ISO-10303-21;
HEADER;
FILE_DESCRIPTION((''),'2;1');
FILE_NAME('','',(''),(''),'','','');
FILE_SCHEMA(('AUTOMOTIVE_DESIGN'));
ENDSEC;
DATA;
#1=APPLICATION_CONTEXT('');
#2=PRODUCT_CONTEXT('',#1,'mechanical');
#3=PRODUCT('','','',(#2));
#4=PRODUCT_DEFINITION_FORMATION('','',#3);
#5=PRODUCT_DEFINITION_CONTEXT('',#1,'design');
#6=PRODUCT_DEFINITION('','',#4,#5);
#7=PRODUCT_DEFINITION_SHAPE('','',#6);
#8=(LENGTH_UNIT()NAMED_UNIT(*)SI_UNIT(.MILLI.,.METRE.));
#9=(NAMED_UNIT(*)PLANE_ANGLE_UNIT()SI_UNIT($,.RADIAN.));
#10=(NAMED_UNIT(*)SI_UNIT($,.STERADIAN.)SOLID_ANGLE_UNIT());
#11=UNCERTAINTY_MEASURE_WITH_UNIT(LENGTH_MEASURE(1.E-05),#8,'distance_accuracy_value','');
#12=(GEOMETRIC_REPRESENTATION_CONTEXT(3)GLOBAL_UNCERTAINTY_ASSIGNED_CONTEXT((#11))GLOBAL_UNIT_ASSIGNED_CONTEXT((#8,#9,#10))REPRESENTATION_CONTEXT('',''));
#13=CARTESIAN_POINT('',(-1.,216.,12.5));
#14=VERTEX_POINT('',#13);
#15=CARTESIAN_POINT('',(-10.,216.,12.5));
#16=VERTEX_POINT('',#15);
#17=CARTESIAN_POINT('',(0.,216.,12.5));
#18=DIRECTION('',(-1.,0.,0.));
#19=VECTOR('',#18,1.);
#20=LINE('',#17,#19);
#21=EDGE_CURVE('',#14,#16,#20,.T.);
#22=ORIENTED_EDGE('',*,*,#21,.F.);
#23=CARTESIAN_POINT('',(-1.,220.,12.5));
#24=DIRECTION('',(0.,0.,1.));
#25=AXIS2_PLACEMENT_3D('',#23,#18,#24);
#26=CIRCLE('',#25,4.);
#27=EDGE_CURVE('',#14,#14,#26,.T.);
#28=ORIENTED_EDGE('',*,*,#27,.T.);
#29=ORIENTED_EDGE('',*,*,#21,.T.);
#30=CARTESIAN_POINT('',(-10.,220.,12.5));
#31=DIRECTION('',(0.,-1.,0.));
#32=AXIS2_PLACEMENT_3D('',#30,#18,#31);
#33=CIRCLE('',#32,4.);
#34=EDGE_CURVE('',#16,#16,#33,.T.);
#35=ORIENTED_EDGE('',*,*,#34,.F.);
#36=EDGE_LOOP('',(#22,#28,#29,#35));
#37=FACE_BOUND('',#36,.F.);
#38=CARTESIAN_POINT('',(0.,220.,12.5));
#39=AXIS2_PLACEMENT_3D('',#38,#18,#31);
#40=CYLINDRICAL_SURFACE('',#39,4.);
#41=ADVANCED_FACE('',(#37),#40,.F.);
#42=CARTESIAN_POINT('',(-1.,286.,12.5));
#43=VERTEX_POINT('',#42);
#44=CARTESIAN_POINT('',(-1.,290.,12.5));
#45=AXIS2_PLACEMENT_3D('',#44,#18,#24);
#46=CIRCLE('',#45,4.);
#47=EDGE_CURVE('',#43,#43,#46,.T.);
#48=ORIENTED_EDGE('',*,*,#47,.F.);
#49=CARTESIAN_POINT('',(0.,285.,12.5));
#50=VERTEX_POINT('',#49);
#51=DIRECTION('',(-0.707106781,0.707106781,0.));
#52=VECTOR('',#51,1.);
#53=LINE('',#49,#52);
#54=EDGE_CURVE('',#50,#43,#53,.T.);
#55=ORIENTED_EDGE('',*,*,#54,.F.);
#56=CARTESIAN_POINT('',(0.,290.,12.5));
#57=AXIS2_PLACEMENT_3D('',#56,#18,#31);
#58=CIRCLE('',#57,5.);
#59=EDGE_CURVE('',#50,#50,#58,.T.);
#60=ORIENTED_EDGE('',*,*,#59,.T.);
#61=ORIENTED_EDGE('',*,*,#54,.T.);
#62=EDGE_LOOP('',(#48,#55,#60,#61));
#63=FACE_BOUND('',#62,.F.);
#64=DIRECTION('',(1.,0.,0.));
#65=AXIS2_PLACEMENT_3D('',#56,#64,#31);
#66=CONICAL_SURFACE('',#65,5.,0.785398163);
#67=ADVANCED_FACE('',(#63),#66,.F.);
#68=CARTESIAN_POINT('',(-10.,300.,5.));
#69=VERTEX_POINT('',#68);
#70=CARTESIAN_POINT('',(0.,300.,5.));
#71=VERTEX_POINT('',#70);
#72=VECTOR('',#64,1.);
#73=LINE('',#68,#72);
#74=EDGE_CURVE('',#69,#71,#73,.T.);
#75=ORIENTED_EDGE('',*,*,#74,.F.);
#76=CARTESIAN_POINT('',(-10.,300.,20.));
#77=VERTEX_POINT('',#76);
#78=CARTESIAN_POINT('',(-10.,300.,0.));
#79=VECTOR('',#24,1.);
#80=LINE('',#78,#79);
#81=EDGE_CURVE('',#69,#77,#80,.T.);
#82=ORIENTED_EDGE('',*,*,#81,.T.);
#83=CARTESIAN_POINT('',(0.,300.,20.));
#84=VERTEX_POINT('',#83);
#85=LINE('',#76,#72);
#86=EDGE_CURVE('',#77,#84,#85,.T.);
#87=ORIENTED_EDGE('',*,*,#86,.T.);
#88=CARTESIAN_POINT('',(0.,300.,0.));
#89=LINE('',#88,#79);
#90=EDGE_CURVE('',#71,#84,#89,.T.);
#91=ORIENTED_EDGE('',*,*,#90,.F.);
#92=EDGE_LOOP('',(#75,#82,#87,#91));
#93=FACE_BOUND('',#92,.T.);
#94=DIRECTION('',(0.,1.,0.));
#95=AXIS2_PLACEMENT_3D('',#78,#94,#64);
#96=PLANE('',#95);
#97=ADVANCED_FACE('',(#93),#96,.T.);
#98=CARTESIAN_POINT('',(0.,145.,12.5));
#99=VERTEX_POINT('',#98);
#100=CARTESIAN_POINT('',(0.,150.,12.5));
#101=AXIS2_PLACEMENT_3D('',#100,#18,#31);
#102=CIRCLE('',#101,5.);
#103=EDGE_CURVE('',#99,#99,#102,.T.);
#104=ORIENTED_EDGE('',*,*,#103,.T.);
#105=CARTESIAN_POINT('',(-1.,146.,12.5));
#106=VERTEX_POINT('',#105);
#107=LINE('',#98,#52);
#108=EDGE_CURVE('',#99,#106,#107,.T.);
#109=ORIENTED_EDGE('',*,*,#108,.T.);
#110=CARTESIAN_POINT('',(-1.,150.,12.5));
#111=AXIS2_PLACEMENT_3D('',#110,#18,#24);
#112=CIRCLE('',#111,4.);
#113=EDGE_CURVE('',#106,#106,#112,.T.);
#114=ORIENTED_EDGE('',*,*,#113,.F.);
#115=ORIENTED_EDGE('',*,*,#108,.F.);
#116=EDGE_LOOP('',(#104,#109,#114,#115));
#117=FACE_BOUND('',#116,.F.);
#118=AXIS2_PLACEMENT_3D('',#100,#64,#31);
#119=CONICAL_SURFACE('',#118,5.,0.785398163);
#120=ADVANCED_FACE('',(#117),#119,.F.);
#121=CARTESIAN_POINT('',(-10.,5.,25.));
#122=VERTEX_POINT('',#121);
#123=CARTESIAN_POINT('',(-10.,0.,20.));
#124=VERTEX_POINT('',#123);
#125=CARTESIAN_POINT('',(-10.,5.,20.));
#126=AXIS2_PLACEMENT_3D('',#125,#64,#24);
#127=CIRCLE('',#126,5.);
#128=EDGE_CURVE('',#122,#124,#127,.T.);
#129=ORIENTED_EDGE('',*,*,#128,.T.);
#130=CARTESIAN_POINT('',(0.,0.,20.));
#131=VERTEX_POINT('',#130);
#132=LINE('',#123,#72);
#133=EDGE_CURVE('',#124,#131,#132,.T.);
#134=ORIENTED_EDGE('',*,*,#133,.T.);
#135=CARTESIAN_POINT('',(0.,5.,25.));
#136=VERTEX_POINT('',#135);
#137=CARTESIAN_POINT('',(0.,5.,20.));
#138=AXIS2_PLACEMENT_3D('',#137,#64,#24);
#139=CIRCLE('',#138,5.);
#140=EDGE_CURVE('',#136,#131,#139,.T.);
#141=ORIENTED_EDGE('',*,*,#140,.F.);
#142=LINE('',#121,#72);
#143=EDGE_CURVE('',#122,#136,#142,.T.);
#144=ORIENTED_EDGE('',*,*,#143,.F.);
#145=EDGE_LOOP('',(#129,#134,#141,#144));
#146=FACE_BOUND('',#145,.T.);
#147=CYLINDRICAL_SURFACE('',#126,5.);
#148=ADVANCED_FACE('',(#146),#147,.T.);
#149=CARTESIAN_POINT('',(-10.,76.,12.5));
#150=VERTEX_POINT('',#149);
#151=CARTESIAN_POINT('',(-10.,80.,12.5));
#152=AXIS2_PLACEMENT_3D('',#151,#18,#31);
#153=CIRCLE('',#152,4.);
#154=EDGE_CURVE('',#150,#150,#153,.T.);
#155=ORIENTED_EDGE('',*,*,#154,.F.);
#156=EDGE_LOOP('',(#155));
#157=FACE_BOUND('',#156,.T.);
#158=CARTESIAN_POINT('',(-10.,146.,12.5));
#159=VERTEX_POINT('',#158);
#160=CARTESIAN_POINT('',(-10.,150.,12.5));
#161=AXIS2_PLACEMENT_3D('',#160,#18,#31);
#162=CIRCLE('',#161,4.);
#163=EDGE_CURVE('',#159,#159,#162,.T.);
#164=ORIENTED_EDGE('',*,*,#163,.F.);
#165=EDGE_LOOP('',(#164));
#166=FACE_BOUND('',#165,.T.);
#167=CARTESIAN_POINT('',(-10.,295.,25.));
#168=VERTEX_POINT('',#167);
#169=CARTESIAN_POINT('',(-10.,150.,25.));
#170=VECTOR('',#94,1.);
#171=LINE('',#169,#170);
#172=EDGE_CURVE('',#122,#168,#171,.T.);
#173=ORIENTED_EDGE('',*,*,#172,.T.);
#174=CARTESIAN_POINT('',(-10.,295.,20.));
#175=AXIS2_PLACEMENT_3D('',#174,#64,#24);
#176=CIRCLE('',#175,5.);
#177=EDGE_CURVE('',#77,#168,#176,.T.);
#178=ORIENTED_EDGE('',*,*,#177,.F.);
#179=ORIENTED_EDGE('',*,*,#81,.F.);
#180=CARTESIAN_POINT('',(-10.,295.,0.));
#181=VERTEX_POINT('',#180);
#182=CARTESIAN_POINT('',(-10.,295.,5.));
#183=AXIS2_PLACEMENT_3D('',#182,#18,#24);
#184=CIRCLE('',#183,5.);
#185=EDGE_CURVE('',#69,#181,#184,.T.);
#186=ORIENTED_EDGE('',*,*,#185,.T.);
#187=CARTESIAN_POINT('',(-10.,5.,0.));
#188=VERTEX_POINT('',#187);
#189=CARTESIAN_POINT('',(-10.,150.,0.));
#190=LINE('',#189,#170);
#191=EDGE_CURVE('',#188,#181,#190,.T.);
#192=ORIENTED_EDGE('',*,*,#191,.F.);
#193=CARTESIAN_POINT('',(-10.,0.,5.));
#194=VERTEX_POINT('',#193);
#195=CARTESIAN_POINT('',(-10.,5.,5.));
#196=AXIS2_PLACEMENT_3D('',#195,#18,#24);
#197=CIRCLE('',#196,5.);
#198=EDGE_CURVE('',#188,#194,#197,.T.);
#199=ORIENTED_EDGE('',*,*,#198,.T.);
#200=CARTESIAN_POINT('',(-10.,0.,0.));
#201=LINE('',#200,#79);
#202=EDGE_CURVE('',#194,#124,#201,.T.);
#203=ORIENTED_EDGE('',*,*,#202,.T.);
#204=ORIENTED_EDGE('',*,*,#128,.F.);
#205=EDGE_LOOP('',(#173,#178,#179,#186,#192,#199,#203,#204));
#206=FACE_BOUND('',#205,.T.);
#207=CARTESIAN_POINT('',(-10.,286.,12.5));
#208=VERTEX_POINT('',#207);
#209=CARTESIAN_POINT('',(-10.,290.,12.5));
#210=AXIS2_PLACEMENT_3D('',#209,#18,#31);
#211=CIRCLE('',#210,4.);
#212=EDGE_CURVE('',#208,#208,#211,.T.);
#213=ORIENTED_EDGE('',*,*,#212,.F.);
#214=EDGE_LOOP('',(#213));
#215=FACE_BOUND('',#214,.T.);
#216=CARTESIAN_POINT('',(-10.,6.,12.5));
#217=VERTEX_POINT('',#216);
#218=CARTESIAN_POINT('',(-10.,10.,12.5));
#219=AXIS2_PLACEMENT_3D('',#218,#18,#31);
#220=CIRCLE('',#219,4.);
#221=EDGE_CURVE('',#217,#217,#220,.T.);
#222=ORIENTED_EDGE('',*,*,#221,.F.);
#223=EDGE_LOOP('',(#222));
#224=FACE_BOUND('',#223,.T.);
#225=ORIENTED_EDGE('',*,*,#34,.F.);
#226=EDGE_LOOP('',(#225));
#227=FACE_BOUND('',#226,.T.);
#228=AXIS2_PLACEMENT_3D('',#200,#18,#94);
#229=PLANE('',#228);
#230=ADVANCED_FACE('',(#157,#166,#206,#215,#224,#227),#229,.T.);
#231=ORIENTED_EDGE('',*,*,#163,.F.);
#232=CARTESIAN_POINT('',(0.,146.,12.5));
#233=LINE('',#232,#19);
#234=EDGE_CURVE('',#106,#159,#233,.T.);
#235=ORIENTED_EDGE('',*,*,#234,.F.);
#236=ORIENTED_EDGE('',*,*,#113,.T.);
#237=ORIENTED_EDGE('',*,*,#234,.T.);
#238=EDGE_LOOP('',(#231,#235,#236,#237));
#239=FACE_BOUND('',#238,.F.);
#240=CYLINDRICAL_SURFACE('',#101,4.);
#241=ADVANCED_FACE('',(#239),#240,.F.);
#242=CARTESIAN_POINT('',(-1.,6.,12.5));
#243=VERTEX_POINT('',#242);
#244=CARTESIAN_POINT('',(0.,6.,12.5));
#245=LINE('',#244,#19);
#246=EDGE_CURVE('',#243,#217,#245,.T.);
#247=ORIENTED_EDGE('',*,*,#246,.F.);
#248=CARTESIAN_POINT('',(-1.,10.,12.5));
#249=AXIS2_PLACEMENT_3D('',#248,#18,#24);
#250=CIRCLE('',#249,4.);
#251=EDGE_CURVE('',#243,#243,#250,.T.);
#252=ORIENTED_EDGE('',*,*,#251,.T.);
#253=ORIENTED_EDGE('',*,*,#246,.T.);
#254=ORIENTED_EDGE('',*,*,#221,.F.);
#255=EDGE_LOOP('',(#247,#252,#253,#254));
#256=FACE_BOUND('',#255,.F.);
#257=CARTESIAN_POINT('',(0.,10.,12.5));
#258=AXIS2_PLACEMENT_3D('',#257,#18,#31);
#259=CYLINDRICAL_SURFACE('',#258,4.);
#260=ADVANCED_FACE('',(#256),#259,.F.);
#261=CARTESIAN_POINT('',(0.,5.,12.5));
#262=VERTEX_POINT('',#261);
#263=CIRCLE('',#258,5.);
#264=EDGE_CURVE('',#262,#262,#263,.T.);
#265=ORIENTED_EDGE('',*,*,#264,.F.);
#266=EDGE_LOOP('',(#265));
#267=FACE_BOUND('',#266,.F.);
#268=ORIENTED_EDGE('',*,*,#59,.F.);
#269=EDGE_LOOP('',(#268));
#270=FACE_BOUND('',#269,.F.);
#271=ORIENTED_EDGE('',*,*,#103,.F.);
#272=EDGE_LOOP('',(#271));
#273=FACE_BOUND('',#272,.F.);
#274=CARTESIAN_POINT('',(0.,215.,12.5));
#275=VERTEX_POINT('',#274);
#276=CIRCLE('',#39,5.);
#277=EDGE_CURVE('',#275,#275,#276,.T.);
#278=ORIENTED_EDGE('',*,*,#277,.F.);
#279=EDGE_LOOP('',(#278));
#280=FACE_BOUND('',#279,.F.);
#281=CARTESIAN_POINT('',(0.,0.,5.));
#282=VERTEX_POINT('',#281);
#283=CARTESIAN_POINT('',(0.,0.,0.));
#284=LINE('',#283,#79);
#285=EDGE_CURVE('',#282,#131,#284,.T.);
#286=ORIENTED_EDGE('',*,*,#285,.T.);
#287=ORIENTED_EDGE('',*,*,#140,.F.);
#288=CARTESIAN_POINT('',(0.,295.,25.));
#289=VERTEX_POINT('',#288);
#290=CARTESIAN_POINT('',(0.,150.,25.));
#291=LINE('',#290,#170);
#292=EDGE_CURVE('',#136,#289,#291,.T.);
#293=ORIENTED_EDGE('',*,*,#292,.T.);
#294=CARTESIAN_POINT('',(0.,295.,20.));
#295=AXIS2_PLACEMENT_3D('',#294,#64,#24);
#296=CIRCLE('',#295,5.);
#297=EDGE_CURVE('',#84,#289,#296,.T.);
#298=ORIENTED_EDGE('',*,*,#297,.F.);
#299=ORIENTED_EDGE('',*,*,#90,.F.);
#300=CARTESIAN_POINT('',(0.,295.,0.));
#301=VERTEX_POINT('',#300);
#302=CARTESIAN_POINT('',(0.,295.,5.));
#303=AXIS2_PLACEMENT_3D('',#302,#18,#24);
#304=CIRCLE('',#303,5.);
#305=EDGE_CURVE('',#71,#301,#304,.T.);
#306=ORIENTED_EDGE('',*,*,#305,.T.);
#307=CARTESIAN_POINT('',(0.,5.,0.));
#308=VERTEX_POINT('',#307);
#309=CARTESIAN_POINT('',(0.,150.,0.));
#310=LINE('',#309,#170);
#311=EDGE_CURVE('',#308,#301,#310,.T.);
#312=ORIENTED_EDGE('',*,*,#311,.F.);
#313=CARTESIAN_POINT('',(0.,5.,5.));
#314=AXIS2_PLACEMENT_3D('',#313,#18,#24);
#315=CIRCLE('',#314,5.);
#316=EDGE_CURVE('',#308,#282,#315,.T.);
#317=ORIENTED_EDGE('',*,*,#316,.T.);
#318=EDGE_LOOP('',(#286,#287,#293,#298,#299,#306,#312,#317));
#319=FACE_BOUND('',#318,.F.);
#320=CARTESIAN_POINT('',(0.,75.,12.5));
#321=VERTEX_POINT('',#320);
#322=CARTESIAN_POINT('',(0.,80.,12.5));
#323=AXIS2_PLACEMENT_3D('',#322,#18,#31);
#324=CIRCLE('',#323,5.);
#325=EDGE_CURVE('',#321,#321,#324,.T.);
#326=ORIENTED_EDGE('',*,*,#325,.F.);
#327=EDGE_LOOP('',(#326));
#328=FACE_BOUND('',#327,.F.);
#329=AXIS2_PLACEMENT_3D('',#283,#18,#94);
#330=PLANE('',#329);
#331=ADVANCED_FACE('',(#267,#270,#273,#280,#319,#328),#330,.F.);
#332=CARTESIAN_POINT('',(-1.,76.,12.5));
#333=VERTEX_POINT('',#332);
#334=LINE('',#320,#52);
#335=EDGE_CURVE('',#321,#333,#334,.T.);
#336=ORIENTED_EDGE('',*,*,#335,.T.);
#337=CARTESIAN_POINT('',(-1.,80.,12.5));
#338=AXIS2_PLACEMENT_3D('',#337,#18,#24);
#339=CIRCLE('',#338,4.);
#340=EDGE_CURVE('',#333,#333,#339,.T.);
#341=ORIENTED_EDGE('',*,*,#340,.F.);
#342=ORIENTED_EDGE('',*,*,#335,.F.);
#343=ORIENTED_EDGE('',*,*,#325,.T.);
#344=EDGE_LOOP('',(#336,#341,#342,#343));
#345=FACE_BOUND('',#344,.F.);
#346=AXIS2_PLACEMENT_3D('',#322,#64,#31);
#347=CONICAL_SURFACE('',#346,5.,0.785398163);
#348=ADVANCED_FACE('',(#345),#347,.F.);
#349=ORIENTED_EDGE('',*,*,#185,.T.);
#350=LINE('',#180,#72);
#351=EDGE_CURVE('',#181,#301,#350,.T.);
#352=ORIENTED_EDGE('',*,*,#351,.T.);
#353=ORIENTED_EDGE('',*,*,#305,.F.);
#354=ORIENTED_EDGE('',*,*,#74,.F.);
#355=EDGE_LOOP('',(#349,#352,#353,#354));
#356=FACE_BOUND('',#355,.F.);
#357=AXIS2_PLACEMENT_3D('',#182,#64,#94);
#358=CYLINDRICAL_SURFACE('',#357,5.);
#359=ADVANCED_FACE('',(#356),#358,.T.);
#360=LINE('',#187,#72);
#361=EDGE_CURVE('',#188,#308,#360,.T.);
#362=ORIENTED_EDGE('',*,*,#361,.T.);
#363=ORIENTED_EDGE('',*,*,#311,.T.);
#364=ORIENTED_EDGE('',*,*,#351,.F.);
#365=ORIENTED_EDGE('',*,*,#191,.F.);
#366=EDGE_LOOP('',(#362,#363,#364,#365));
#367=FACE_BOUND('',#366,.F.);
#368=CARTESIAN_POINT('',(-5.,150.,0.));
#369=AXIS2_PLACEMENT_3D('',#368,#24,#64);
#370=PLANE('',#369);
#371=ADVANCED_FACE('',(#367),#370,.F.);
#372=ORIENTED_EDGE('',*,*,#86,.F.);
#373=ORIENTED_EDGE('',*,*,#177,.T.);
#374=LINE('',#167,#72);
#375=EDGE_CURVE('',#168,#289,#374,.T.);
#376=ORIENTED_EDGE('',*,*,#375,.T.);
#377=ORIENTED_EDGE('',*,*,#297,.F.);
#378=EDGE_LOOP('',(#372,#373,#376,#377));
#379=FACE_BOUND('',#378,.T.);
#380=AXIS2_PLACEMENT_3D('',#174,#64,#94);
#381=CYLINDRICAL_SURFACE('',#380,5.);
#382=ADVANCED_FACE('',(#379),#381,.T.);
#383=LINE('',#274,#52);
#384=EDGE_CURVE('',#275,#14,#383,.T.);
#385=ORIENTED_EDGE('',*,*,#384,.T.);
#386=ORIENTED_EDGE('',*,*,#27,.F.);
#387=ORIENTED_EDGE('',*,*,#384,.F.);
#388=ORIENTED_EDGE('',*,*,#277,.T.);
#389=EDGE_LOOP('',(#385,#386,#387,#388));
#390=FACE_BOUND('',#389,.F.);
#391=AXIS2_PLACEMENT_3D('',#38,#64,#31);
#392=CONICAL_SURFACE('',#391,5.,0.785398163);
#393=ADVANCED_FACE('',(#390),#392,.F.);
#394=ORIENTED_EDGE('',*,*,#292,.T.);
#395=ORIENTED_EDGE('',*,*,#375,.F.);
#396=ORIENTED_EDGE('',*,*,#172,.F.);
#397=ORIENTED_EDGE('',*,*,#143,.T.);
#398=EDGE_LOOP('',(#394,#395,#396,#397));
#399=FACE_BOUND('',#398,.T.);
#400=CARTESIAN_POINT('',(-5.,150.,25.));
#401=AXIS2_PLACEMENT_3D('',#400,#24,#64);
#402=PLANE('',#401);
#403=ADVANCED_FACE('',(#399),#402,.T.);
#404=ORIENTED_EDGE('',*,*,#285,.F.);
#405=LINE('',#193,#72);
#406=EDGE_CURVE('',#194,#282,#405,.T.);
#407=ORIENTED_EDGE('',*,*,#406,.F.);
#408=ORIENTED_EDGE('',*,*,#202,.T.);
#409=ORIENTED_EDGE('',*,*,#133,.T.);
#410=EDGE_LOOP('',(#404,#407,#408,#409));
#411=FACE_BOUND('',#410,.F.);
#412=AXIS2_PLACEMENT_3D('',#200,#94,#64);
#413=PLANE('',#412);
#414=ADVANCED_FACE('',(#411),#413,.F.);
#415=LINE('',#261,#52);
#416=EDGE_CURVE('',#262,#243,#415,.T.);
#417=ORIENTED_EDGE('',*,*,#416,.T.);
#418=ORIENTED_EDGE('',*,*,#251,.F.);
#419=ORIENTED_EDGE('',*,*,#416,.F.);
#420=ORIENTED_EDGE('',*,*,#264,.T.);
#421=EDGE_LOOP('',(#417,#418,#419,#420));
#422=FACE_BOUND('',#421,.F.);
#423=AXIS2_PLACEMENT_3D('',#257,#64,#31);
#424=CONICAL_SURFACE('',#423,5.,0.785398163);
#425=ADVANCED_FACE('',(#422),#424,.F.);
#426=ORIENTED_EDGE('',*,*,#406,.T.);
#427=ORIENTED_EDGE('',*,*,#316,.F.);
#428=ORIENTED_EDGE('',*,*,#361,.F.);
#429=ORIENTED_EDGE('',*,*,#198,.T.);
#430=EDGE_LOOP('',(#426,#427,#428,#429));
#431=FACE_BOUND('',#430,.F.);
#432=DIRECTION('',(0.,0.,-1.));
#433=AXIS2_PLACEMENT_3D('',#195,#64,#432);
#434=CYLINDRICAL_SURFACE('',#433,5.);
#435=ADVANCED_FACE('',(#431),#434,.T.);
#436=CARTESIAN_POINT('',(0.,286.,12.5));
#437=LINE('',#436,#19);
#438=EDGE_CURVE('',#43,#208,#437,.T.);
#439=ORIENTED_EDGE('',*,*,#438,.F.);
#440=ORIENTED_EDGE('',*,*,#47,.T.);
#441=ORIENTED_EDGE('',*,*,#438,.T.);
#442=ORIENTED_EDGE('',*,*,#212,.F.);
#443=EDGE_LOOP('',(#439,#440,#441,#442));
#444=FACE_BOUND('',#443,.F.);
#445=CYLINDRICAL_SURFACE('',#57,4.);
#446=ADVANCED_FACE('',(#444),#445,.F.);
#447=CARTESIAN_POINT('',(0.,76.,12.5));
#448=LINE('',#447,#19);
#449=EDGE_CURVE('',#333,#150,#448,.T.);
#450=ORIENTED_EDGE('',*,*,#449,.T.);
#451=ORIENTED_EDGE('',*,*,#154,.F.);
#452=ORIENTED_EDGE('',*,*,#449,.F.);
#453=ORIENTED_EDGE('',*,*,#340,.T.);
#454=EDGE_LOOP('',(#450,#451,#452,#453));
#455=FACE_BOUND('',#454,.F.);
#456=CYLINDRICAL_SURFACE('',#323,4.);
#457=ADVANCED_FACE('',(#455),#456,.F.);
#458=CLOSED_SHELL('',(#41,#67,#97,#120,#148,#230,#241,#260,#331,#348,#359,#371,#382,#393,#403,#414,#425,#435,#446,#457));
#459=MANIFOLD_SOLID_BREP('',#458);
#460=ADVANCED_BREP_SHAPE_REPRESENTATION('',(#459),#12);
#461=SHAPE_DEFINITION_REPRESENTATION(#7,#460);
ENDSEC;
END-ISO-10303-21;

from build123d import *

# Parameters (mm, degrees)
F0_W           = 10
F0_H           = 300
F1_DEPTH       = 25
F3_D           = 8
F3_CSINK_D     = 10
F3_CSINK_ANGLE = 90
F4_R           = 5


with BuildPart() as f1:
    # F0 (on Top) → F1 (new body)
    with BuildSketch(Plane.XY):
        with Locations((-5, 150)):
            Rectangle(F0_W, F0_H)
    extrude(amount=F1_DEPTH)

    # F3 (through all)
    with Locations(Plane.YZ):
        with Locations((10, 12.5), (80, 12.5), (150, 12.5), (220, 12.5), (290, 12.5)):
            CounterSinkHole(F3_D / 2, F3_CSINK_D / 2, counter_sink_angle=F3_CSINK_ANGLE)

    # F4
    f4_edges = [f1.edges().sort_by_distance(p)[0] for p in [
        (-5, 0, 0),
        (-5, 300, 0),
        (-5, 0, 25),
        (-5, 300, 25),
    ]]
    fillet(f4_edges, radius=F4_R)


solid = f1.part
